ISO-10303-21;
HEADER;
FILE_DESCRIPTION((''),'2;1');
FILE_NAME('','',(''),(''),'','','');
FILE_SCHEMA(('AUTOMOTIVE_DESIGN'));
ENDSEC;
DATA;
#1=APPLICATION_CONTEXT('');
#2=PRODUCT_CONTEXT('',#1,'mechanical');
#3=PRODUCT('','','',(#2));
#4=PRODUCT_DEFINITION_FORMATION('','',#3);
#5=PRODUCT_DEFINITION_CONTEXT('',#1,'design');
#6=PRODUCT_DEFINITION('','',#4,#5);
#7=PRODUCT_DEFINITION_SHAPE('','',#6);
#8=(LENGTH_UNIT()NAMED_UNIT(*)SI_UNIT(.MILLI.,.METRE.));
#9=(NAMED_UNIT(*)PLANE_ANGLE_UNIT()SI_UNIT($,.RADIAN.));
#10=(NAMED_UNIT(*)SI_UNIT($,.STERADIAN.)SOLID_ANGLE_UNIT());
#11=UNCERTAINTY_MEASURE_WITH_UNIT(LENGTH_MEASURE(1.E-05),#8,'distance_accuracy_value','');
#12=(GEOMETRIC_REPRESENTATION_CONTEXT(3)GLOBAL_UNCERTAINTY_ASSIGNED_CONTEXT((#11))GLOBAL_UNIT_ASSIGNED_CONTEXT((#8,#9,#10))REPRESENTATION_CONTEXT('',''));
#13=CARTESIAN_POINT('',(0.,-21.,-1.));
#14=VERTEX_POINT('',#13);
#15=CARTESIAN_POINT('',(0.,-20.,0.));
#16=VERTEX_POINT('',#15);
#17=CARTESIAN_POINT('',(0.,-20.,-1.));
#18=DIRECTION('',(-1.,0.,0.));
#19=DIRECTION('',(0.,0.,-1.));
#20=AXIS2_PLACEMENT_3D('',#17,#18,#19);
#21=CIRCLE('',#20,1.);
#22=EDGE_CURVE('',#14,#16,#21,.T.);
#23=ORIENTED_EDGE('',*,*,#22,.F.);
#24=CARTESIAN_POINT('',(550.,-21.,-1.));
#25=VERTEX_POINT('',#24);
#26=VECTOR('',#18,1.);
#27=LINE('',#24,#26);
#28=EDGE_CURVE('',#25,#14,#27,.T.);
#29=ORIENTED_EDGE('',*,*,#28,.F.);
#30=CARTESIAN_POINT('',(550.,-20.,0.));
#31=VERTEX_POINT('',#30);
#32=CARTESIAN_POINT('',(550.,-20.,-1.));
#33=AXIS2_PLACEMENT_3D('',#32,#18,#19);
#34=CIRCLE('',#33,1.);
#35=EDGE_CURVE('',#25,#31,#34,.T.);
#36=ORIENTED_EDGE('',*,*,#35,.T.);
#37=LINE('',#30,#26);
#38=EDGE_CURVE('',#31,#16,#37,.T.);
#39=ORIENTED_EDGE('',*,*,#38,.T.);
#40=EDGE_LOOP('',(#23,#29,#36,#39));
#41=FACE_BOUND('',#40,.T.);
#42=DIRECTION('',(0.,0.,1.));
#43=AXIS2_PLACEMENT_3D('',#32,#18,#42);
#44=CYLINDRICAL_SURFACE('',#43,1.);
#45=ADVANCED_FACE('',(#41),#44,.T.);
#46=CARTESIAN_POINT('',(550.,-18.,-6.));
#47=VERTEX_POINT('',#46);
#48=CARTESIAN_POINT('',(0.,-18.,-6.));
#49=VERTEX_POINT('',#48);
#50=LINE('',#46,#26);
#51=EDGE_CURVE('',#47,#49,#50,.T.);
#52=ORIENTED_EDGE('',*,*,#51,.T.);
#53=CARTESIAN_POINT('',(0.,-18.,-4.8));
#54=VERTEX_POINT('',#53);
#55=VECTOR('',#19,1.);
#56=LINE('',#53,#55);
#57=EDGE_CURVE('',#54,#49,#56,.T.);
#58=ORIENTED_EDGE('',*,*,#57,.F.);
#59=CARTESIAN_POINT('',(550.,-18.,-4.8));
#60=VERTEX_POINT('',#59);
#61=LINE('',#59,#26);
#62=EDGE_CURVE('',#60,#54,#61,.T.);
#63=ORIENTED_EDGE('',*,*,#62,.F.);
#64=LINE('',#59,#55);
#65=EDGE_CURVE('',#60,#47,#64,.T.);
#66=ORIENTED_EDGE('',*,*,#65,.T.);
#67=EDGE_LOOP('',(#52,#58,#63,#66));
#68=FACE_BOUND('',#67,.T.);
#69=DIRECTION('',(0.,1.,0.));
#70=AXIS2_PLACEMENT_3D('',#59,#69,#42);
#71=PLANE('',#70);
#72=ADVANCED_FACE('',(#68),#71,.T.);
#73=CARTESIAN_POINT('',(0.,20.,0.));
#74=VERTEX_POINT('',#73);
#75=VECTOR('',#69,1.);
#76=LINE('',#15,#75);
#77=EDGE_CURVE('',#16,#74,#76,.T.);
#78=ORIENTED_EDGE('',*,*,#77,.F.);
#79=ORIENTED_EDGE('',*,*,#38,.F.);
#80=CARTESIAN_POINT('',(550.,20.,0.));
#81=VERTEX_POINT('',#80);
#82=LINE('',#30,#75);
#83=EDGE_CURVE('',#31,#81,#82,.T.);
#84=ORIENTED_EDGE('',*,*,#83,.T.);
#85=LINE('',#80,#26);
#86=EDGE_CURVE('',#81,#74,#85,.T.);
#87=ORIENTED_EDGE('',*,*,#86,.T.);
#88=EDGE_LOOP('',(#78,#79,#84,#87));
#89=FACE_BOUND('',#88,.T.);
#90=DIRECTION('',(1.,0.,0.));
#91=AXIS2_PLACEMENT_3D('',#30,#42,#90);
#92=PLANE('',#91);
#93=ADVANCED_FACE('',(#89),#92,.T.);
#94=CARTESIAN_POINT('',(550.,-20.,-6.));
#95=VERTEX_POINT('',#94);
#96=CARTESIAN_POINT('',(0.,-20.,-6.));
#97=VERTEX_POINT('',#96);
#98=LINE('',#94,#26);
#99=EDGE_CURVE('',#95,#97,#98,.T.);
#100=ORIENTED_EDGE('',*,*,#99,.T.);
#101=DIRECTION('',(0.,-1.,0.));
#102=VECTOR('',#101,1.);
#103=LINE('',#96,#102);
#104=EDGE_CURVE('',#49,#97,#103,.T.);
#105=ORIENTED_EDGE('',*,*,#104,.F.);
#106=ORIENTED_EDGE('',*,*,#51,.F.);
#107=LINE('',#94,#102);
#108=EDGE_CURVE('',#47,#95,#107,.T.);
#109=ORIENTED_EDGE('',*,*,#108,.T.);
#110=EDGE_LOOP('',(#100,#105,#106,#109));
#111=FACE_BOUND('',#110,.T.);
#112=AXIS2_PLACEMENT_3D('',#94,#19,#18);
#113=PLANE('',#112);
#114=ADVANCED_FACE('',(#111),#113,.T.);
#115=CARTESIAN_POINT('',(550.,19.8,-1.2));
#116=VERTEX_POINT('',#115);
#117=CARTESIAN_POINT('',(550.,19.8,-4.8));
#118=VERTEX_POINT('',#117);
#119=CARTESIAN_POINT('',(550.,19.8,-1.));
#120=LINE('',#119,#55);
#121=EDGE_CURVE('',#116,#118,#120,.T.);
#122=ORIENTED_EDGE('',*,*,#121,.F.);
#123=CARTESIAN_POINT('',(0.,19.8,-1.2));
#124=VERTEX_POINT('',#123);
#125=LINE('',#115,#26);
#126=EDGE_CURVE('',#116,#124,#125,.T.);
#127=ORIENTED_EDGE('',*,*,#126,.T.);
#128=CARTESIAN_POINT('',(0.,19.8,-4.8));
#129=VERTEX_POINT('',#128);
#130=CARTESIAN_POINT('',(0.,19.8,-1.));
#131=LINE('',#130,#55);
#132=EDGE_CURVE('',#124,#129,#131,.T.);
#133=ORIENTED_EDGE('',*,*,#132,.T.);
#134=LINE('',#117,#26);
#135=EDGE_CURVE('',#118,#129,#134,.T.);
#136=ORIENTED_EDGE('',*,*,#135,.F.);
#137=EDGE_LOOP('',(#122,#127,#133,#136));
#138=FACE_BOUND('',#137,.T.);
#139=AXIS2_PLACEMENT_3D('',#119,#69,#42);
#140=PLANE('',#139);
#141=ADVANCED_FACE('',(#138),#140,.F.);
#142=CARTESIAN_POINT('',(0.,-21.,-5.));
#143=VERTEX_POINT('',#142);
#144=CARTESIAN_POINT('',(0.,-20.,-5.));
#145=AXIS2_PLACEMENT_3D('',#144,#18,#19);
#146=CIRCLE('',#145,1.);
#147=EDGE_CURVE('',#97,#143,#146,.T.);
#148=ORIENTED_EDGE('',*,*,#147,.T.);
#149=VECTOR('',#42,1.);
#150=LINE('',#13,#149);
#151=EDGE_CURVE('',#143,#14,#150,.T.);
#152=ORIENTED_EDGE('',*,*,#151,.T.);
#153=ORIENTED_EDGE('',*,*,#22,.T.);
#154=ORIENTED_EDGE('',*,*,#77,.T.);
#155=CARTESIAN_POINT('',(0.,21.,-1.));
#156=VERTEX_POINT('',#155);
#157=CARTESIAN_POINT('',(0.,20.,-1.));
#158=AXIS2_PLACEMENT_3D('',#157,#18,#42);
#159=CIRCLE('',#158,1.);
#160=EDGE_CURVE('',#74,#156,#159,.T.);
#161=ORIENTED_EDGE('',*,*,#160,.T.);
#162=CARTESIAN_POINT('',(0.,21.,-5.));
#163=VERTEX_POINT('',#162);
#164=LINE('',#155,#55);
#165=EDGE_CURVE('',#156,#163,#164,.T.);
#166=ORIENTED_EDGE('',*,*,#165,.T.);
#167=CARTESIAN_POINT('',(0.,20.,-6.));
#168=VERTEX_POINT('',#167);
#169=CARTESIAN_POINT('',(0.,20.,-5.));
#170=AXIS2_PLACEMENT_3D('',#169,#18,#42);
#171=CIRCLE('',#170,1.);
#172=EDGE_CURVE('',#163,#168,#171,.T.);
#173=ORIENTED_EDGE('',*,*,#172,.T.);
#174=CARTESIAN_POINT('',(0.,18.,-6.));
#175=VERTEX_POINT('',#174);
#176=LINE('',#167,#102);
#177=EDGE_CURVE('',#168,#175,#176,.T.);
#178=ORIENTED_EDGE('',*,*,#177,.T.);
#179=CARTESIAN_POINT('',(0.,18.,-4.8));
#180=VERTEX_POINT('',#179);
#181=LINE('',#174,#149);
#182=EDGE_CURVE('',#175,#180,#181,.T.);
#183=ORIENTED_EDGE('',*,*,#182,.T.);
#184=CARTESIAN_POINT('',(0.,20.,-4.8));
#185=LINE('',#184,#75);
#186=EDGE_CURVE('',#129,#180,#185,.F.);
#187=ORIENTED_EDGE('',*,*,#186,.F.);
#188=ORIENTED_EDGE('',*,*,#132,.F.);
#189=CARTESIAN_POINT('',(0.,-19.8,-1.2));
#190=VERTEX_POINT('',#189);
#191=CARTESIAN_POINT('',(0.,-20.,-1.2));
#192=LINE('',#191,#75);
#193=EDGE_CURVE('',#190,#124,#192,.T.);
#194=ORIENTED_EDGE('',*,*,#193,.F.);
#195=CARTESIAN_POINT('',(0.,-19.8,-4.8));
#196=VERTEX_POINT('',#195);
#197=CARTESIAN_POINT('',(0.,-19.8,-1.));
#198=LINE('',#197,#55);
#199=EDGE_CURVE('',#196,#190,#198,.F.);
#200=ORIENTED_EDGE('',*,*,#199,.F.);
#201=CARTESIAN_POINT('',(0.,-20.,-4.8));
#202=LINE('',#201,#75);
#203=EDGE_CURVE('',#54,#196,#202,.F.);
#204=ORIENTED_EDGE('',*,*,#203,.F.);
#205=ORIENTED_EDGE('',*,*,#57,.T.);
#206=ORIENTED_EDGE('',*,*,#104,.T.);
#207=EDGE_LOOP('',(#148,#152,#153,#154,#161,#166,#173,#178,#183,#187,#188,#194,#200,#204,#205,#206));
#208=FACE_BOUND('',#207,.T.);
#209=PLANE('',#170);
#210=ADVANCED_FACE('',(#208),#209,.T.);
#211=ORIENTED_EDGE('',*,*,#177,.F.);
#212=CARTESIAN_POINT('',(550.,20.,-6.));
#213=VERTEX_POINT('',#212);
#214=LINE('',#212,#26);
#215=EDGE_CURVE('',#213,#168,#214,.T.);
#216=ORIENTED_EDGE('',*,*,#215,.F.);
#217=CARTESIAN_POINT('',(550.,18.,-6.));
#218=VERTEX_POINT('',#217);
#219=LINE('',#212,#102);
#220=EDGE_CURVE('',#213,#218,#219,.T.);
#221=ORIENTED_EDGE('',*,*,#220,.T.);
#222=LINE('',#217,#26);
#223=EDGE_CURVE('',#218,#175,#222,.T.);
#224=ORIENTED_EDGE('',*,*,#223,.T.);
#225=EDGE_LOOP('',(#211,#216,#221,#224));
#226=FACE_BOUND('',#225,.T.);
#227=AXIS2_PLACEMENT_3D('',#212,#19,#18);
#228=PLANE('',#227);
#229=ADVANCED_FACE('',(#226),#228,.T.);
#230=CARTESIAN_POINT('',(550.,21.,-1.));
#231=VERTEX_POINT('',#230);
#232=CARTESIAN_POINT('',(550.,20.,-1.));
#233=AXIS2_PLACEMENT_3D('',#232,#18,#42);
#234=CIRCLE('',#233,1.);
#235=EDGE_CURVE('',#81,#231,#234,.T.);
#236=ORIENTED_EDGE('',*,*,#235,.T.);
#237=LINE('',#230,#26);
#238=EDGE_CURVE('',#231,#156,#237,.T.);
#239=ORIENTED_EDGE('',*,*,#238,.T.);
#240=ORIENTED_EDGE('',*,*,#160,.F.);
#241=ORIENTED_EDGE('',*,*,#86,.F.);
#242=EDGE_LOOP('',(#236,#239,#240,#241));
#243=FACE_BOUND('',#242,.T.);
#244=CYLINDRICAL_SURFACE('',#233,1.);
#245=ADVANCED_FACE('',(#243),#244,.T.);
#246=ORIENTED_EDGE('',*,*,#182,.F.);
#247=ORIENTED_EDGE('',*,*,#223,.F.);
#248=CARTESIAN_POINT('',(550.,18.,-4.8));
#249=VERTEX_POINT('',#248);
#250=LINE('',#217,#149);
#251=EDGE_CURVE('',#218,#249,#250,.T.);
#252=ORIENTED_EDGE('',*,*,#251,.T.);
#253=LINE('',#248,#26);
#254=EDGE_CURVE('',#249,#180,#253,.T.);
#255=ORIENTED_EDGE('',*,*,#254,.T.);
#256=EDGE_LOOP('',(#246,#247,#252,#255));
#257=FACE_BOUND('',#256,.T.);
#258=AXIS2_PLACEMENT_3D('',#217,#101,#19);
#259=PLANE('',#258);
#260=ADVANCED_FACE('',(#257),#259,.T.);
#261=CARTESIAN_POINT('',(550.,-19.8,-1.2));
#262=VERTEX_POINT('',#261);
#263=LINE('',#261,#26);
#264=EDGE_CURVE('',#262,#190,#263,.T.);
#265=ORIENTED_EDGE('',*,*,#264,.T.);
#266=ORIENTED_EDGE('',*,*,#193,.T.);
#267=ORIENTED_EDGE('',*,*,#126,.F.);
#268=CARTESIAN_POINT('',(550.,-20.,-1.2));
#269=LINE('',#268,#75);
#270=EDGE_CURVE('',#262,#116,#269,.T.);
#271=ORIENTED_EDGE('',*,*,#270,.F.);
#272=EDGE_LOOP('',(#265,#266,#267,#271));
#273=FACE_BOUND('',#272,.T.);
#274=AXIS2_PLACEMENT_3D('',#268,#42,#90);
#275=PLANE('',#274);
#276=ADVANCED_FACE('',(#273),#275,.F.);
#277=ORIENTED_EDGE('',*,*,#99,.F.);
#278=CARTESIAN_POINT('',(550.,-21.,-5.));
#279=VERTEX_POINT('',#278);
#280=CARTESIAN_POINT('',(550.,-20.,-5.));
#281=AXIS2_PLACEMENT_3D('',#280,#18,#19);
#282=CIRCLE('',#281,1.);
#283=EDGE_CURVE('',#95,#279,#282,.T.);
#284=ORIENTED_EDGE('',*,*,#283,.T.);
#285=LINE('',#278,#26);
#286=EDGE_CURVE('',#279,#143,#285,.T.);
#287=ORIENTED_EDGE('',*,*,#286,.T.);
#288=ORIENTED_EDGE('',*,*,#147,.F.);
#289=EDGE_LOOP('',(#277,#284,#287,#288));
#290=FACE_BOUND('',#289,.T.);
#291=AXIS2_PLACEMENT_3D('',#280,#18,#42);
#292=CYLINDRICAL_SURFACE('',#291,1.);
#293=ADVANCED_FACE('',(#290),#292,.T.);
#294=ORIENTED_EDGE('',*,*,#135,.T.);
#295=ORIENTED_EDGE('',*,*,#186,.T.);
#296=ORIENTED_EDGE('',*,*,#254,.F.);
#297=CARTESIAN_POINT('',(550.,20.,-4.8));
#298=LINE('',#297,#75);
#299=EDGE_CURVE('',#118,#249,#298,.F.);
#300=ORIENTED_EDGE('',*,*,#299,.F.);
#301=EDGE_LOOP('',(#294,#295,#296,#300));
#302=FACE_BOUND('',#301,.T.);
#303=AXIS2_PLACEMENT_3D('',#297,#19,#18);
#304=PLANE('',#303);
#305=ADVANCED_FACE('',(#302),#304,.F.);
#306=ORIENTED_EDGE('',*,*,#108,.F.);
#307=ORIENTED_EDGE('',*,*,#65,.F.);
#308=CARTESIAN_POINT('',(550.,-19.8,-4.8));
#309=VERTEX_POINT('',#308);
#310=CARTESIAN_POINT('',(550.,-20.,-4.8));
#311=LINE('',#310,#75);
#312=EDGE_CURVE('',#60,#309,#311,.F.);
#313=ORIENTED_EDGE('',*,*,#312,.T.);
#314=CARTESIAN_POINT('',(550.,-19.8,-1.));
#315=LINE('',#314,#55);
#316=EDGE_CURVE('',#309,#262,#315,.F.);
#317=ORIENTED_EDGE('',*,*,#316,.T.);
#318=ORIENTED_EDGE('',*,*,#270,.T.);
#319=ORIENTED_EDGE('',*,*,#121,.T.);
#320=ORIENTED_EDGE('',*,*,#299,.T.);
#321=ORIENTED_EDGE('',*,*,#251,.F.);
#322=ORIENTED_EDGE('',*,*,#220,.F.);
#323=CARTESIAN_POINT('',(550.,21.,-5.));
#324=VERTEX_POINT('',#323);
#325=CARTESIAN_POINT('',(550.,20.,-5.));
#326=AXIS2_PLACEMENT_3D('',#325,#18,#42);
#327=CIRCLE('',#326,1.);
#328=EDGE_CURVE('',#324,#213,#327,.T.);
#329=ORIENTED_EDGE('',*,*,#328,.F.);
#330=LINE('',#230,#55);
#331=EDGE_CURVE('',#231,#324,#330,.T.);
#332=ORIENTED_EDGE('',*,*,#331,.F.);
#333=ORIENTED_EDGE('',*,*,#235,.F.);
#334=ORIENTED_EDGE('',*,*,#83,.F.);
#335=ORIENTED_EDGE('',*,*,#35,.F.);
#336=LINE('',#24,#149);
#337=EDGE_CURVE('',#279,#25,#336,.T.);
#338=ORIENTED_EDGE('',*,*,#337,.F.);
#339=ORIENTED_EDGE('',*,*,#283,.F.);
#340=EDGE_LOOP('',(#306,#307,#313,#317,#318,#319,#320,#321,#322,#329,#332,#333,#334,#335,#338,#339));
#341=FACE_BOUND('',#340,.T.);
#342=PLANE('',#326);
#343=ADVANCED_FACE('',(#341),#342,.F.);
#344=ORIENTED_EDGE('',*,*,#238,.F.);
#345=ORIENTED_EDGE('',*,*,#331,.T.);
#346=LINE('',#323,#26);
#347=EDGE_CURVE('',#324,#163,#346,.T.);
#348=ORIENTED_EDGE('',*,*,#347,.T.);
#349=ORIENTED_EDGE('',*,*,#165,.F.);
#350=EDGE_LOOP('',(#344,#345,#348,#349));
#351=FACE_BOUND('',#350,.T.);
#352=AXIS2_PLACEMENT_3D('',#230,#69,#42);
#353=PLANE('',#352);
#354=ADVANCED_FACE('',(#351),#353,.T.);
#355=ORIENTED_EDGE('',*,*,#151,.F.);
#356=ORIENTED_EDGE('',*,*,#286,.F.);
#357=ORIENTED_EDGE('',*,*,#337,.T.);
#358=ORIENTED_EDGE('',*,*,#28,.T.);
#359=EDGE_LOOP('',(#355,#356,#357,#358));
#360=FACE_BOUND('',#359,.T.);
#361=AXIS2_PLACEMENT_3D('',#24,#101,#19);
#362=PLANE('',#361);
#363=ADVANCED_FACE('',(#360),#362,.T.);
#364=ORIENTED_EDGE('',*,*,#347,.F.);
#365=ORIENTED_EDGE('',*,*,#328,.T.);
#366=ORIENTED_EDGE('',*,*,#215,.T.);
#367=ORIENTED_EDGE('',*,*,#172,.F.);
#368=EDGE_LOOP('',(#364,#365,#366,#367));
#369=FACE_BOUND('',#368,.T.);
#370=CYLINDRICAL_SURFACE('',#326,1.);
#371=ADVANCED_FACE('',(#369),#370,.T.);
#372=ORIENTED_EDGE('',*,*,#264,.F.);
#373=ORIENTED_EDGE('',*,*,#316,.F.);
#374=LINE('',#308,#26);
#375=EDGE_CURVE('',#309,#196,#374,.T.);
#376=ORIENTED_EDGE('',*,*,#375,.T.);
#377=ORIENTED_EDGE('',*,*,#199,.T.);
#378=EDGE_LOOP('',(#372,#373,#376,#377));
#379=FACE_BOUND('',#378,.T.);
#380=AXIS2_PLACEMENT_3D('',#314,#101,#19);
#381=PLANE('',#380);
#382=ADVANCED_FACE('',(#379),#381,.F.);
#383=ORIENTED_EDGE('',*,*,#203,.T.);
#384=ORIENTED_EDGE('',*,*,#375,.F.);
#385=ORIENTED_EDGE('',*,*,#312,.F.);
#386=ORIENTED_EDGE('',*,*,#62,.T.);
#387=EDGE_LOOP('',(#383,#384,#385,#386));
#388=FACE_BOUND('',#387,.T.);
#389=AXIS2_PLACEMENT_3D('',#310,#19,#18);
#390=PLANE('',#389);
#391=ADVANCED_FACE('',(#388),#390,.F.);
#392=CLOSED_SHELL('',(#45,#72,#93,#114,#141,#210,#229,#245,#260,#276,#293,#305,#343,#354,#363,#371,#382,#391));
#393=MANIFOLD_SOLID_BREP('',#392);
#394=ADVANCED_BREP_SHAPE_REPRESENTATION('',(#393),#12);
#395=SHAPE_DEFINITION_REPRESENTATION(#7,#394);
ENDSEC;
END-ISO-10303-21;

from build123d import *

# Parameters (mm, degrees)
EXTRUDE_3_DEPTH = 550


with BuildPart() as part:
    # Эскиз1 → Вытянуть-Тонкостенный3 (new body)
    with BuildSketch(Plane(origin=(0, 0, 0), x_dir=(0, 0, -1), z_dir=(1, 0, 0))):
        with BuildLine():
            Line((6, -18), (6, -20))
            ThreePointArc((6, -20), (5.707106781, -20.707106781), (5, -21))
            Line((5, -21), (1, -21))
            ThreePointArc((1, -21), (0.292893219, -20.707106781), (0, -20))
            Line((0, -20), (0, 20))
            ThreePointArc((0, 20), (0.292893219, 20.707106781), (1, 21))
            Line((1, 21), (5, 21))
            ThreePointArc((5, 21), (5.707106781, 20.707106781), (6, 20))
            Line((6, 20), (6, 18))
            Line((6, 18), (4.8, 18))
            Line((4.8, 18), (4.8, 19.8))
            Line((4.8, 19.8), (1.2, 19.8))
            Line((1.2, 19.8), (1.2, -19.8))
            Line((1.2, -19.8), (4.8, -19.8))
            Line((4.8, -19.8), (4.8, -18))
            Line((4.8, -18), (6, -18))
        make_face()
    extrude(amount=EXTRUDE_3_DEPTH)


solid = part.part
